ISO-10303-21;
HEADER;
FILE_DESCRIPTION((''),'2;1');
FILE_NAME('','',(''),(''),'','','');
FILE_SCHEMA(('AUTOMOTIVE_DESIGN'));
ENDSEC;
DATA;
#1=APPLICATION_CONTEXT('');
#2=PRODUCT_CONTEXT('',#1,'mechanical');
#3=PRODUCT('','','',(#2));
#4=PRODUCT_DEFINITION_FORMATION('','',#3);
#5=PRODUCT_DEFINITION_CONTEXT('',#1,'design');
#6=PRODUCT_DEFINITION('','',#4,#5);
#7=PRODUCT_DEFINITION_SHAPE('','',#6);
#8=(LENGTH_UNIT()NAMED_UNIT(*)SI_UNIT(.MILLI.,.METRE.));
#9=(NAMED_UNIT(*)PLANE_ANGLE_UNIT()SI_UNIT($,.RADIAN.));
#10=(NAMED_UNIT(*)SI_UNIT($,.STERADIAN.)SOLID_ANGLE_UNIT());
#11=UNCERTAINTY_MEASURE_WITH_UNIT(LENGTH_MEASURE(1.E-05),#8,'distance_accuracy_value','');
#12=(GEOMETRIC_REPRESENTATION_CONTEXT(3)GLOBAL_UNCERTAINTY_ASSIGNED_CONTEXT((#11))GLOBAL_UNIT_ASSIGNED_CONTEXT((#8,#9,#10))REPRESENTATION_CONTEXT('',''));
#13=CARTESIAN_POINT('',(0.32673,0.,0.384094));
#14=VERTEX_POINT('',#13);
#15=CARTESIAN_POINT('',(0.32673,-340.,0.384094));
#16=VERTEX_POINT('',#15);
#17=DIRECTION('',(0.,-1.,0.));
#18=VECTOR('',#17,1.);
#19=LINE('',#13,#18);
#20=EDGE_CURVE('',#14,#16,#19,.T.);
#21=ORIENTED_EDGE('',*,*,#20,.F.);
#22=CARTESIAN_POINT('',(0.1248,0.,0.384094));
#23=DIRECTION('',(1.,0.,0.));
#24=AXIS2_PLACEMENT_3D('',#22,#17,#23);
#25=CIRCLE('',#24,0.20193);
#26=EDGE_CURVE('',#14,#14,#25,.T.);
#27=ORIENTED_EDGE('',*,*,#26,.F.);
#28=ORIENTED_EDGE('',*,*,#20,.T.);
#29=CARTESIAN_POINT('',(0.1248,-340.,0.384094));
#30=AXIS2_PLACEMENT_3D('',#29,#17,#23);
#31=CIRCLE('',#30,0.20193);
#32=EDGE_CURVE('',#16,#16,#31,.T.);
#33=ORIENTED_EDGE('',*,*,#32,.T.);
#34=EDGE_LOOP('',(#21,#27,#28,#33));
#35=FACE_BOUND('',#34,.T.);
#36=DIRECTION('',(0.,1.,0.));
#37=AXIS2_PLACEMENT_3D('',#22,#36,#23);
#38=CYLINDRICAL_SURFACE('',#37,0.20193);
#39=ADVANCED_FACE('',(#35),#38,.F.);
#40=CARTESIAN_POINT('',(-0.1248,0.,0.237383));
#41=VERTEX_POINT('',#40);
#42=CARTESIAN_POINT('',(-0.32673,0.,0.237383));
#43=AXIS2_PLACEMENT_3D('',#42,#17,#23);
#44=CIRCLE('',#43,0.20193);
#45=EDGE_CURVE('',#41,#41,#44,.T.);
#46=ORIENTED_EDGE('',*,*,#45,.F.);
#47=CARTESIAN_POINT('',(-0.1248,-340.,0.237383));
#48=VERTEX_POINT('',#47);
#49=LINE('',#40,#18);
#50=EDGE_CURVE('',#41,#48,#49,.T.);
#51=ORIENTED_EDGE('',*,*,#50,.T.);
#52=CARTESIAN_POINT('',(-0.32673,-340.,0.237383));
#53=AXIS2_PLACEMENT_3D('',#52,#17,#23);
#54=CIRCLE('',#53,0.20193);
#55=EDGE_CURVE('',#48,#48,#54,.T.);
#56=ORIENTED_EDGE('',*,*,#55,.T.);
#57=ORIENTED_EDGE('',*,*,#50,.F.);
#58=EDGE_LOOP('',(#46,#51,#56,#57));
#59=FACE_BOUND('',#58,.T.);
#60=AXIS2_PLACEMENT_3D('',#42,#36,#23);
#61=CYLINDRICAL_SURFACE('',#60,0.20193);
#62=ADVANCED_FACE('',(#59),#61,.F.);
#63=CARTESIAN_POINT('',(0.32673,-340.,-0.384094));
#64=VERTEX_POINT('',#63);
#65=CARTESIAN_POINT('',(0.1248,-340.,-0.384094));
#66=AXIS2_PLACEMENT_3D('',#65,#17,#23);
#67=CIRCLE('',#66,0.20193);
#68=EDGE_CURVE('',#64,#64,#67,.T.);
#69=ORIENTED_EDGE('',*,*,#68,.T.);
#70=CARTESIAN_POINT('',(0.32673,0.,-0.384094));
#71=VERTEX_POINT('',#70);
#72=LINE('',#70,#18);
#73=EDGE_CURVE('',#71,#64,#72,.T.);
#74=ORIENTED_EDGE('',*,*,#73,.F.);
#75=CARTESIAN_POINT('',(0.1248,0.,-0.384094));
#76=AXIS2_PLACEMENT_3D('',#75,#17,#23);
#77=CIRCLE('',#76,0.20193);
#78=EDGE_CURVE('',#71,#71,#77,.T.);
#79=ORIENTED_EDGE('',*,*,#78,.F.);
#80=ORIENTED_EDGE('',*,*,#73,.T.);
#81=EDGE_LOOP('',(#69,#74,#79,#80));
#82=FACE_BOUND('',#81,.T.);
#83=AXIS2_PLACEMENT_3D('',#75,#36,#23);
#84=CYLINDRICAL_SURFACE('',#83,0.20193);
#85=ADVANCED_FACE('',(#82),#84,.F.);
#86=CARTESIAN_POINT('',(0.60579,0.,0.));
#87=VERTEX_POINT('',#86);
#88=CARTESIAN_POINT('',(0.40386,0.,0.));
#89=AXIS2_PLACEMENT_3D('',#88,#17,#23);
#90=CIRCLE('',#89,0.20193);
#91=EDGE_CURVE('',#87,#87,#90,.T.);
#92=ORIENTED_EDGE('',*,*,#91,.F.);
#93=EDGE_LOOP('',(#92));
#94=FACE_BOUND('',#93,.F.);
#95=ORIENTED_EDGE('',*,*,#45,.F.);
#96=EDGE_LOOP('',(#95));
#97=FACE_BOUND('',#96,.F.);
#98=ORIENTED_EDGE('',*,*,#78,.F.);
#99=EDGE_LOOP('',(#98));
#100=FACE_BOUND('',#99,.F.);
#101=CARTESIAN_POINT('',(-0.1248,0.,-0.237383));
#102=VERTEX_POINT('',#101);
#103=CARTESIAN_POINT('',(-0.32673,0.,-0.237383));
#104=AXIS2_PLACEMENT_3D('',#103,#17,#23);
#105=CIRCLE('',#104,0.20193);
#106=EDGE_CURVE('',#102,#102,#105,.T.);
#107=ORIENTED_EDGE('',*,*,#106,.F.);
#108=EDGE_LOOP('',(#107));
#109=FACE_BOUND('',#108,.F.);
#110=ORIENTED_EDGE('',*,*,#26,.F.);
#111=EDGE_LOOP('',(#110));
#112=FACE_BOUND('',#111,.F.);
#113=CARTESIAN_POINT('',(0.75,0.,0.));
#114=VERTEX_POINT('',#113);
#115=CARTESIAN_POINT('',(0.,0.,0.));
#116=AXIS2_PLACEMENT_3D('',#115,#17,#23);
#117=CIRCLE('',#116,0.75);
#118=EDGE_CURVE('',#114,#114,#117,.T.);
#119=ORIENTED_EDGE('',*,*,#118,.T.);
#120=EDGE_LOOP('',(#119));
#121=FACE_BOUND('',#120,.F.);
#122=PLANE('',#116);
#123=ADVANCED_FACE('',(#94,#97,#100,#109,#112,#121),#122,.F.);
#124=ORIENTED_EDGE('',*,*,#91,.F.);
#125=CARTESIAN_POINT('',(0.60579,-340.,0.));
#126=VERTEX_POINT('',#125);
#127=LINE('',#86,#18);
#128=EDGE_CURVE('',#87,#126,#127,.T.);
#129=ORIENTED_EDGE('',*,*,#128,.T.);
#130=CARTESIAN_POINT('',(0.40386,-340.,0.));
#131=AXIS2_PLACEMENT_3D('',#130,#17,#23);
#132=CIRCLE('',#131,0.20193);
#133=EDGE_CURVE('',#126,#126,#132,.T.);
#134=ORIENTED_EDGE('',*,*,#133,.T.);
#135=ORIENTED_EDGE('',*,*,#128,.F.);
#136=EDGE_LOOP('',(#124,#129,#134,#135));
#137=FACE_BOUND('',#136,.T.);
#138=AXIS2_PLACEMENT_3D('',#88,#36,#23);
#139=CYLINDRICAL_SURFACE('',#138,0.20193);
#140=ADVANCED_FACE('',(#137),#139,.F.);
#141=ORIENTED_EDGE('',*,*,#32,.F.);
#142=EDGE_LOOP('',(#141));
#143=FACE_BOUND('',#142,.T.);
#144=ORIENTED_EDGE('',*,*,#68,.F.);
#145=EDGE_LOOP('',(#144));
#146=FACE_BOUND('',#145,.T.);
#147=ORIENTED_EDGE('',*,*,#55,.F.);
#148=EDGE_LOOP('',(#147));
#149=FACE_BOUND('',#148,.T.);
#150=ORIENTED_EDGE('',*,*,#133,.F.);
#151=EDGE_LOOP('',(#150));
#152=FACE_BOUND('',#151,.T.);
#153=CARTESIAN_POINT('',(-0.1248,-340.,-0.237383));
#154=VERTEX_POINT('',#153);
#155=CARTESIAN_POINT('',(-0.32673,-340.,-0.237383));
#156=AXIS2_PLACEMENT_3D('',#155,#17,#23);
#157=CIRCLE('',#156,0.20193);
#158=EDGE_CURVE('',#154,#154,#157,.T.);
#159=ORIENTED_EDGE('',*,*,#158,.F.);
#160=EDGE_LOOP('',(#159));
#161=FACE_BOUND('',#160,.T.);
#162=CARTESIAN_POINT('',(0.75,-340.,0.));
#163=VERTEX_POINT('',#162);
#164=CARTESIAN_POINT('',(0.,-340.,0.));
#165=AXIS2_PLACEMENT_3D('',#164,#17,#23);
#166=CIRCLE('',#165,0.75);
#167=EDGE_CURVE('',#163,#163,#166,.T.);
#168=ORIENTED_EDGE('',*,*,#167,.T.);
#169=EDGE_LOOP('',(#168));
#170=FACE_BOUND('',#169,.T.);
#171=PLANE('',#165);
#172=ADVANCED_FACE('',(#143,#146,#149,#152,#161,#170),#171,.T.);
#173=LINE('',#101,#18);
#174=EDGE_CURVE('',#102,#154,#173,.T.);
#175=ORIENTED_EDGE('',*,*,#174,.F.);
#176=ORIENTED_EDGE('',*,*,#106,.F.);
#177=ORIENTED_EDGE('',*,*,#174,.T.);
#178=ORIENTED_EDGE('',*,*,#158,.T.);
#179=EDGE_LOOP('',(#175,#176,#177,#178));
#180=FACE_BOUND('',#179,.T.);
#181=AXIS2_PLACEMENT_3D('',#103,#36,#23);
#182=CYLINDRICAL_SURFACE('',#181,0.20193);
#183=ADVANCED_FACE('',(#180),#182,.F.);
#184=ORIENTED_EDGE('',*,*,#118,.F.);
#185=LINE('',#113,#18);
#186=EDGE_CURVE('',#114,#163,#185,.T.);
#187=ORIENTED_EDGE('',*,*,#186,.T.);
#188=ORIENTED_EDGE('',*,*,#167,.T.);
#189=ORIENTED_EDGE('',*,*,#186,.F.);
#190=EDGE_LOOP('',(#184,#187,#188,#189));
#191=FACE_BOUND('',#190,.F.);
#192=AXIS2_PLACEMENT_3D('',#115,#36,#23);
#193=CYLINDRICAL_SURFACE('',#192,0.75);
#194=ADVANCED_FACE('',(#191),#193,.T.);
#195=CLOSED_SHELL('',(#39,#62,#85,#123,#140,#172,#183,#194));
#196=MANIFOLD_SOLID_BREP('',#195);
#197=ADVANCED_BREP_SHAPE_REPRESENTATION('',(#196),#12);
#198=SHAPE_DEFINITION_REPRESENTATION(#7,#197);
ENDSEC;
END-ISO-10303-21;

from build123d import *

# Parameters (mm, degrees)
F0_R     = 0.75
F0_R_2   = 0.20193
F1_DEPTH = 340


with BuildPart() as f1:
    # F0 (on Front) → F1 (new body)
    with BuildSketch(Plane.XZ):
        Circle(F0_R)
        with Locations((-0.32673, -0.237383)):
            Circle(F0_R_2, mode=Mode.SUBTRACT)
        with Locations((0.1248, -0.384094)):
            Circle(F0_R_2, mode=Mode.SUBTRACT)
        with Locations((-0.32673, 0.237383)):
            Circle(F0_R_2, mode=Mode.SUBTRACT)
        with Locations((0.40386, 0)):
            Circle(F0_R_2, mode=Mode.SUBTRACT)
        with Locations((0.1248, 0.384094)):
            Circle(F0_R_2, mode=Mode.SUBTRACT)
    extrude(amount=F1_DEPTH)


solid = f1.part
